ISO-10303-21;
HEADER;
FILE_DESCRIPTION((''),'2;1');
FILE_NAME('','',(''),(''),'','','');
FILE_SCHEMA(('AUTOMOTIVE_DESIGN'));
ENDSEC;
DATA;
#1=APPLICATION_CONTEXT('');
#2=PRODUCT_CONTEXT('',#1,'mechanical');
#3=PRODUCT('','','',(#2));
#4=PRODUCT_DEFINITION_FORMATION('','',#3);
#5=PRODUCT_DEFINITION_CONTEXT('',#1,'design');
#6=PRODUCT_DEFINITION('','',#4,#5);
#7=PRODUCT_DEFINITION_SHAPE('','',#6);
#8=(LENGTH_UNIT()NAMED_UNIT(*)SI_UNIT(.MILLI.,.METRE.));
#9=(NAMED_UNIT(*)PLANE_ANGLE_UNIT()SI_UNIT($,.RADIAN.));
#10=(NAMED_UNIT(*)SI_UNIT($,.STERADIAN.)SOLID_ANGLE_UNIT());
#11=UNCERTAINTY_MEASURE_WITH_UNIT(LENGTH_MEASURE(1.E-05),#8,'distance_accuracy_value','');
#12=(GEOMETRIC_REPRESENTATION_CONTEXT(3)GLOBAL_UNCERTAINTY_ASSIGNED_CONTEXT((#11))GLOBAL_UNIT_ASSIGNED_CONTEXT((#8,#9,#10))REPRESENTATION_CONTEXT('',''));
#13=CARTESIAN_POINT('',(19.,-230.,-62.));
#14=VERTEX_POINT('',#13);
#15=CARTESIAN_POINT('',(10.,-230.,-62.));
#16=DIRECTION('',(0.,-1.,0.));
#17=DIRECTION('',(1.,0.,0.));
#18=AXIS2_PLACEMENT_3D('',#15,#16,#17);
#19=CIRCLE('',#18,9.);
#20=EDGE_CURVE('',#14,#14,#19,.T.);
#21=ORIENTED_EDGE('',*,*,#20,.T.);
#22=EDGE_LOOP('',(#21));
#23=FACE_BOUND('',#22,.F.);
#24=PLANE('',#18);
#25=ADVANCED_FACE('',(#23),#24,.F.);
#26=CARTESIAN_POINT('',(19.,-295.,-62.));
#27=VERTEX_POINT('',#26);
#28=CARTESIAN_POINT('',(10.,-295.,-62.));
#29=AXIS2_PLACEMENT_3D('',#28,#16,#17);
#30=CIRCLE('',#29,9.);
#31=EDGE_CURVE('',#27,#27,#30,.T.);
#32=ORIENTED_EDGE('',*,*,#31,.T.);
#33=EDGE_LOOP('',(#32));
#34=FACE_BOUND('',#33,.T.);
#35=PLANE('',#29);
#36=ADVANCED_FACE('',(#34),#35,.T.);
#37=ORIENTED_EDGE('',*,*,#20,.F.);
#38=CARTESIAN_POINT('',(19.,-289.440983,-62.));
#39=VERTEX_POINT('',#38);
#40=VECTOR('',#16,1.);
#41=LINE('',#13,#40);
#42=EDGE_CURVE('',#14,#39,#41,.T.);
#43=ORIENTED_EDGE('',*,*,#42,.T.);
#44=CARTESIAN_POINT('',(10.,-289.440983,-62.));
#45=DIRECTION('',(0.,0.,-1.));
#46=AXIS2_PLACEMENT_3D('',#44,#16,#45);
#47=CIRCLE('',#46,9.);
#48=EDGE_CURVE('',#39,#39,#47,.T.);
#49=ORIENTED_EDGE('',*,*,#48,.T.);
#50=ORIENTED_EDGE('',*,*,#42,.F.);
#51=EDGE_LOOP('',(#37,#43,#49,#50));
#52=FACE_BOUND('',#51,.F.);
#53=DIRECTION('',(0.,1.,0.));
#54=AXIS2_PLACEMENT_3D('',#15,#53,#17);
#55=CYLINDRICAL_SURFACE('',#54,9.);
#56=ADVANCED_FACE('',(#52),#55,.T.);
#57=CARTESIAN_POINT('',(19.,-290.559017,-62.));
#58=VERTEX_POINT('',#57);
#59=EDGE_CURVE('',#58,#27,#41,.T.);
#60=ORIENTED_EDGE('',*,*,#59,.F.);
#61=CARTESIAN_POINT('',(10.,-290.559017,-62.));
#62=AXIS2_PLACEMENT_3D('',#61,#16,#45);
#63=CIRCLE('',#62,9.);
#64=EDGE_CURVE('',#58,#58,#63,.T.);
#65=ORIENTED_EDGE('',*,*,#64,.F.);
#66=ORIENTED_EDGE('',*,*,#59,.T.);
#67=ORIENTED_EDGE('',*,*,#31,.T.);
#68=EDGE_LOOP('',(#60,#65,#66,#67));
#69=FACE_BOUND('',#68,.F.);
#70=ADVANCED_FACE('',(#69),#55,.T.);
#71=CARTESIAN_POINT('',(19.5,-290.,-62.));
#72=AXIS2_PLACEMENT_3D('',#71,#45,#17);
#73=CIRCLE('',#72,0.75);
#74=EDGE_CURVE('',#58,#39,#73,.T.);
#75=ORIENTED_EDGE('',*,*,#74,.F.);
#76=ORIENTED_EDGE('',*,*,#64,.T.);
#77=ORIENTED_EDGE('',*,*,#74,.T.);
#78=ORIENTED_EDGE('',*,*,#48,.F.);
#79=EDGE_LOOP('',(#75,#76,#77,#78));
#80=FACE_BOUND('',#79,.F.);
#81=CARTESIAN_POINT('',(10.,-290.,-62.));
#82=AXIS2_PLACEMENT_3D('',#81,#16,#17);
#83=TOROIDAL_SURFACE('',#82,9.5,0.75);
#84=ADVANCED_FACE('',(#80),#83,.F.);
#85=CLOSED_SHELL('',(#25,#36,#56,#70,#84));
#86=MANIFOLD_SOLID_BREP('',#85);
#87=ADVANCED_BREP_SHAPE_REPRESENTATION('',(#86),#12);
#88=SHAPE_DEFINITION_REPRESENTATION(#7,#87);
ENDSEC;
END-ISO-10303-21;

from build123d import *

# Parameters (mm, degrees)
TORUS_R                = 0.75
CYLINDER065_R          = 9
CYLINDER065_DEPTH      = 65
CUT093_PLACEMENT_ANGLE = 90


with BuildPart() as torus:
    # Torus → Torus (revolve)
    with BuildSketch(Plane(origin=(0, 0, 60), x_dir=(1, 0, 0), z_dir=(0, -1, 0))):
        with Locations((9.5, 0)):
            Circle(TORUS_R)
    revolve(axis=Axis((0, 0, 60), (0, 0, 1)))


with BuildPart() as cut093:
    # Cylinder065 → Cylinder065 (new body)
    with BuildSketch(Plane.XY):
        Circle(CYLINDER065_R)
    extrude(amount=CYLINDER065_DEPTH)

    # Cut093: cut Torus
    add(torus.part, mode=Mode.SUBTRACT)


with BuildPart() as cut093_1:
    # Cut093 placement: moved
    add(cut093.part.moved(Location((10, -230, -62))).rotate(Axis((10, -230, -62), (1, 0, 0)), CUT093_PLACEMENT_ANGLE))


solid = cut093_1.part
